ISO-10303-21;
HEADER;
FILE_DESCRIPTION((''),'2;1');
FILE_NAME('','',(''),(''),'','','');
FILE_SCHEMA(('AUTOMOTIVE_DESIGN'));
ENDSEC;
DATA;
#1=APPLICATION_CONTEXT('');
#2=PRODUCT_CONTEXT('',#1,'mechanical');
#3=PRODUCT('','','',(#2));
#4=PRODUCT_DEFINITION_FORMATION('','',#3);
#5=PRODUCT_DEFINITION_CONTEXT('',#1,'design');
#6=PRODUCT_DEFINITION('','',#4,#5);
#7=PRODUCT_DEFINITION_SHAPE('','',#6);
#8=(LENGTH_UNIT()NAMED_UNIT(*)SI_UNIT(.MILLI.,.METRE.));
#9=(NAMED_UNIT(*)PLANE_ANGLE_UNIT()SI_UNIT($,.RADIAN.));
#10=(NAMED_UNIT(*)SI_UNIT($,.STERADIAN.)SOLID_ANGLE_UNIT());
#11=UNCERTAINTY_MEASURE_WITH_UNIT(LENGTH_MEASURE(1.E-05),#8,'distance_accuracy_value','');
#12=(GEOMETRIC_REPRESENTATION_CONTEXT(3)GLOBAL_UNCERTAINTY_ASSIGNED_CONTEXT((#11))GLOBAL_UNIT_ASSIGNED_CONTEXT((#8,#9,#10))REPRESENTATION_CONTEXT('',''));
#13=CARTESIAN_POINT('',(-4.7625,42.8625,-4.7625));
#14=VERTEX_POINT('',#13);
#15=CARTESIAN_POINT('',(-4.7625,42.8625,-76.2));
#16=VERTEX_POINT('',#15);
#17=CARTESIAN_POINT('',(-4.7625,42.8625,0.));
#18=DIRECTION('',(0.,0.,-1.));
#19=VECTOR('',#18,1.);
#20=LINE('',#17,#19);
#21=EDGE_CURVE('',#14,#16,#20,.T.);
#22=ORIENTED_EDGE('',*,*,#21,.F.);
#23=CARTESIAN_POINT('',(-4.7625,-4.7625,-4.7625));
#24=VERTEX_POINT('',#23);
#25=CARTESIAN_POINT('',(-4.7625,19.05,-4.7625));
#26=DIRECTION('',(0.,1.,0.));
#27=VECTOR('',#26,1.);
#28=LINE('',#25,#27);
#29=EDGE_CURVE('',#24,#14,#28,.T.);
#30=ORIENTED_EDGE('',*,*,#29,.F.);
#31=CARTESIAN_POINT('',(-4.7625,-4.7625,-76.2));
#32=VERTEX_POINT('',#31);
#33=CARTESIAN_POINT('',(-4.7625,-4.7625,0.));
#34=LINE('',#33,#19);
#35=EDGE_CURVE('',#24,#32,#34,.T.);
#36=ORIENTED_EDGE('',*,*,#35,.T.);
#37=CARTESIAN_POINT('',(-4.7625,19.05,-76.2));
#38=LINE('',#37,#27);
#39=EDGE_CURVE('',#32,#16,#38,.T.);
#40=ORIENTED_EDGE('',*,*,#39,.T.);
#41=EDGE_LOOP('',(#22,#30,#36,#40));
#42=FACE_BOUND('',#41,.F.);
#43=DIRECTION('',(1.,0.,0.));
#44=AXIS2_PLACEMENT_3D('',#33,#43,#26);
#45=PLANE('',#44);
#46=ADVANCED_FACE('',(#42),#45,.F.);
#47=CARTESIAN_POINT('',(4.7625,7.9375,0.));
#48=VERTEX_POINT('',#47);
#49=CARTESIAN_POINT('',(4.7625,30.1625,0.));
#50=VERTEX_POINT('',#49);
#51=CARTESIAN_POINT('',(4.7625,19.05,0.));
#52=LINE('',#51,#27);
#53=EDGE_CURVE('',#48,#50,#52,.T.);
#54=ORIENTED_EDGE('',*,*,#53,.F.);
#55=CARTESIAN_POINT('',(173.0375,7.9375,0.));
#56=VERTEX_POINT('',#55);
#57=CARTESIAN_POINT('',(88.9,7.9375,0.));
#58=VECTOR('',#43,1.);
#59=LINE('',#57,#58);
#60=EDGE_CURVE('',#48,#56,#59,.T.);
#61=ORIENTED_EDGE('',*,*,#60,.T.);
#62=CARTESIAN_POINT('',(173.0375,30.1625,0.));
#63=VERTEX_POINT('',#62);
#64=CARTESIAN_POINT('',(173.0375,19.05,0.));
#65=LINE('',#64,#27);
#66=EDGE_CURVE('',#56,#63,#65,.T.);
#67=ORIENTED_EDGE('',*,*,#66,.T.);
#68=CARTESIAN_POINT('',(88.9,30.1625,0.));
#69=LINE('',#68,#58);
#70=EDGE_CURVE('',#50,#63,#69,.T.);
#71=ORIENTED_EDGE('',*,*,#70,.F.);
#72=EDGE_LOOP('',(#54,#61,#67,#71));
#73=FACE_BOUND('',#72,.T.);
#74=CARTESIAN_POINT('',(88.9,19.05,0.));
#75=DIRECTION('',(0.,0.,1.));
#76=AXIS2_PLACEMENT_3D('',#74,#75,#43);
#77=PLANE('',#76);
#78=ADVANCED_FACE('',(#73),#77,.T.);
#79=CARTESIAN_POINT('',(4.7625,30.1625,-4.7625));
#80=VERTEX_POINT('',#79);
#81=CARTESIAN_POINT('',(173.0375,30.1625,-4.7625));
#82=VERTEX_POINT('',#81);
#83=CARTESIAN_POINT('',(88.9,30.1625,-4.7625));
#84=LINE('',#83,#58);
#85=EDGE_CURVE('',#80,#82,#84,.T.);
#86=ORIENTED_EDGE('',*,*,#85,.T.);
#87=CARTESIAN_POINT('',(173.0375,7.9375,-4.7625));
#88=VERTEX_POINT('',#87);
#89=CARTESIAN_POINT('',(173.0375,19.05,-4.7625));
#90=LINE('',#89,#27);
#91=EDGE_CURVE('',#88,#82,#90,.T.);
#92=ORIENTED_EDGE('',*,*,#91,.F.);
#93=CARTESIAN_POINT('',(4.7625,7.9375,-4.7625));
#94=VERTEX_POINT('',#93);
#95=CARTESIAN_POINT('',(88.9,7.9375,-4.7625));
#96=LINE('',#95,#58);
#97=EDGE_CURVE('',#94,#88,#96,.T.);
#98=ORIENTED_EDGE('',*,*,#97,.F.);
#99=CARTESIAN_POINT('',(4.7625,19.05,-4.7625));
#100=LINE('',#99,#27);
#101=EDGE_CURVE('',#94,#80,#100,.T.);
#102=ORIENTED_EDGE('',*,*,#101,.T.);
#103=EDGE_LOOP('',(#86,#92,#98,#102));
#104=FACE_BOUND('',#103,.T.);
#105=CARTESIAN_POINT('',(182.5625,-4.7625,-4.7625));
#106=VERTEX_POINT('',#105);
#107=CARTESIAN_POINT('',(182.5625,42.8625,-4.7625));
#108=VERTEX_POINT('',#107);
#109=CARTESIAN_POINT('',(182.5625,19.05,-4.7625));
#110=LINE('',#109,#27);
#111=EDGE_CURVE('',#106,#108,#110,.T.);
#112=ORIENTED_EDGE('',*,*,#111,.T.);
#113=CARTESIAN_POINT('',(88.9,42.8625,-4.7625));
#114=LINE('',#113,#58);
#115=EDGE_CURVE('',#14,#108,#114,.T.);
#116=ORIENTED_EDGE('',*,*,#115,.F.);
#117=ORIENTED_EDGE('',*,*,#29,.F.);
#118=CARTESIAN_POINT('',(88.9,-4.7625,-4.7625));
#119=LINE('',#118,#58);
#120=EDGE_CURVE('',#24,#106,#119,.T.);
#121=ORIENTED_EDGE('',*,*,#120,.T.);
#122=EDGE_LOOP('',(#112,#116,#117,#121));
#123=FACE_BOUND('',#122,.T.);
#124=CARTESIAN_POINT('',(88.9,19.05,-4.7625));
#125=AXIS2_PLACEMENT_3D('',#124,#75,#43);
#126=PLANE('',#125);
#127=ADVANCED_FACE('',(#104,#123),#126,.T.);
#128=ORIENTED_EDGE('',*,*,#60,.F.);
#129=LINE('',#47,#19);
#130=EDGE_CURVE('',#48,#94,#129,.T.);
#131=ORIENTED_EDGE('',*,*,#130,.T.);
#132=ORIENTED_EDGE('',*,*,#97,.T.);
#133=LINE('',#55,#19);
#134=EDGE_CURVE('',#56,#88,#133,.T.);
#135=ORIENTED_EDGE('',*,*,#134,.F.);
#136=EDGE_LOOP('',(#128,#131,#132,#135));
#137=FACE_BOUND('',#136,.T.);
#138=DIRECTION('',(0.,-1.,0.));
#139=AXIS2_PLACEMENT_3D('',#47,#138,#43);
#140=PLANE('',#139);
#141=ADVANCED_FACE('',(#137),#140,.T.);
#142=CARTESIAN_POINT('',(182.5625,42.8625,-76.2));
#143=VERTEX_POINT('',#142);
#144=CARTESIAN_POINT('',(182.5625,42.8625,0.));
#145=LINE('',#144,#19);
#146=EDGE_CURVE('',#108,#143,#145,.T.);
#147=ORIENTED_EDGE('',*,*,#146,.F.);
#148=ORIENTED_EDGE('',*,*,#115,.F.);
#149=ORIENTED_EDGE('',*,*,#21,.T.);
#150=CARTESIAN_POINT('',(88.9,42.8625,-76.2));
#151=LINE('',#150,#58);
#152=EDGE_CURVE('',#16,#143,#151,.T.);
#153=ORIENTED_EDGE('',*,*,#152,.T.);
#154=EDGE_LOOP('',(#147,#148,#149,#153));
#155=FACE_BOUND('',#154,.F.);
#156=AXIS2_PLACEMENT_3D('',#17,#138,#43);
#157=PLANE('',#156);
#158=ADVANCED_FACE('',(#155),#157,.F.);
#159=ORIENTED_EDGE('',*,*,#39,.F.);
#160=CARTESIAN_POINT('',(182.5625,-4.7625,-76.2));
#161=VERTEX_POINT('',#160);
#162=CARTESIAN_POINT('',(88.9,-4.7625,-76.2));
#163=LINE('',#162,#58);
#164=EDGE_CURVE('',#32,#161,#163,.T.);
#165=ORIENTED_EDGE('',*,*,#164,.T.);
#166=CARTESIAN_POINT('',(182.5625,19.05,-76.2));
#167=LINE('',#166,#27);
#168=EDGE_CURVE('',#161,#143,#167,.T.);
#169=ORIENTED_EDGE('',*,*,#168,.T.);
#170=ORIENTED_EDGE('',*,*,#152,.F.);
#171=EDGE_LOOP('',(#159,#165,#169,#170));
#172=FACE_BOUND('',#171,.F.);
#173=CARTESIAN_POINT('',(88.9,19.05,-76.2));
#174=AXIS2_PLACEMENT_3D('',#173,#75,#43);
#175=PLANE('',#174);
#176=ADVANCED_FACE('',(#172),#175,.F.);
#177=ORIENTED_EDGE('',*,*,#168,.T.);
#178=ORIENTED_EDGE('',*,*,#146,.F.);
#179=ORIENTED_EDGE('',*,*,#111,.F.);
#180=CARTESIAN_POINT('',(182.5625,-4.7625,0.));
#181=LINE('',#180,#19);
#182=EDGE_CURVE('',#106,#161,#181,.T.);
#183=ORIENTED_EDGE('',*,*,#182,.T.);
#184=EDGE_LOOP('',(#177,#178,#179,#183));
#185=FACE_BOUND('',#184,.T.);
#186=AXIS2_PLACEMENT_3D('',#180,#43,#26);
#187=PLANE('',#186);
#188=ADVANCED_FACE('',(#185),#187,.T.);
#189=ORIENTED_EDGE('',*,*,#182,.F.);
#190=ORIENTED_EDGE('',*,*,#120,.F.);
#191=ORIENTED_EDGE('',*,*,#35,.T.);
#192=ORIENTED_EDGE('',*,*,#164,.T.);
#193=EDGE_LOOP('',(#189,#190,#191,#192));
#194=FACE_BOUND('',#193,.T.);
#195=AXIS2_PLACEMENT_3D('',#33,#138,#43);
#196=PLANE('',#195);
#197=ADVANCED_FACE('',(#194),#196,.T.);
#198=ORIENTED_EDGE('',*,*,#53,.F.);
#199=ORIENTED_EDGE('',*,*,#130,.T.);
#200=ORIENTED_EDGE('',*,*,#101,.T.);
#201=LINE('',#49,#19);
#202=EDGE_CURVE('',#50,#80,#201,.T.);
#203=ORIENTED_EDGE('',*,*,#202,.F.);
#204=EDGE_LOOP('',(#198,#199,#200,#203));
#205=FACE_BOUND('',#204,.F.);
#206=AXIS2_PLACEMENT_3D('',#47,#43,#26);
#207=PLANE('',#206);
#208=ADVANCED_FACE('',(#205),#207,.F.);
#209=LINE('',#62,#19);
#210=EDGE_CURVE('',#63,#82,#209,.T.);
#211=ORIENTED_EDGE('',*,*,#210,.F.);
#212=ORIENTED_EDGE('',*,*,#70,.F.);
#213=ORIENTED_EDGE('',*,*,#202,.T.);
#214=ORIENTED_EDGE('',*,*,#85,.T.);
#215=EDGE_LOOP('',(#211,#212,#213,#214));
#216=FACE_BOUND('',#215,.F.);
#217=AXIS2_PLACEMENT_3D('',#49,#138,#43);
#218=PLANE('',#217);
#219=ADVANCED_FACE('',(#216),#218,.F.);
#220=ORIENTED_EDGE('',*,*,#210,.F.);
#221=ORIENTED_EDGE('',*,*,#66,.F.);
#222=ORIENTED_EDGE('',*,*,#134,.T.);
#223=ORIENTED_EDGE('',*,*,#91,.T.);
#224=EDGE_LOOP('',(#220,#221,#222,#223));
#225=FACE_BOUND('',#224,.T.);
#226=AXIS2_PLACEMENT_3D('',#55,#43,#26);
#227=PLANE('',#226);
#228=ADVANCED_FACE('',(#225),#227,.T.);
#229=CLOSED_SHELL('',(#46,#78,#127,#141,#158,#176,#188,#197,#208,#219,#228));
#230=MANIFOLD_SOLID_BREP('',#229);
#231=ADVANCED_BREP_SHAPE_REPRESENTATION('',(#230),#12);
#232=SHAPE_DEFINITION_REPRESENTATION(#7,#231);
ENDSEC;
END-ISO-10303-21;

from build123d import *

# Parameters (mm, degrees)
F0_W     = 187.325
F0_H     = 47.625
F1_DEPTH = 76.2
F2_W     = 187.325
F2_H     = 47.625
F2_W_2   = 168.275
F2_H_2   = 22.225
F3_DEPTH = 4.7625


with BuildPart() as f1:
    # F0 (on Top) → F1 (new body)
    with BuildSketch(Plane.XY):
        with Locations((88.9, 19.05)):
            Rectangle(F0_W, F0_H)
    extrude(amount=-F1_DEPTH)

    # F2 (on face) → F3 (cut)
    with BuildSketch(Plane.XY):
        with Locations((88.9, 19.05)):
            Rectangle(F2_W, F2_H)
        with Locations((88.9, 19.05)):
            Rectangle(F2_W_2, F2_H_2, mode=Mode.SUBTRACT)
    extrude(amount=-F3_DEPTH, mode=Mode.SUBTRACT)


solid = f1.part
